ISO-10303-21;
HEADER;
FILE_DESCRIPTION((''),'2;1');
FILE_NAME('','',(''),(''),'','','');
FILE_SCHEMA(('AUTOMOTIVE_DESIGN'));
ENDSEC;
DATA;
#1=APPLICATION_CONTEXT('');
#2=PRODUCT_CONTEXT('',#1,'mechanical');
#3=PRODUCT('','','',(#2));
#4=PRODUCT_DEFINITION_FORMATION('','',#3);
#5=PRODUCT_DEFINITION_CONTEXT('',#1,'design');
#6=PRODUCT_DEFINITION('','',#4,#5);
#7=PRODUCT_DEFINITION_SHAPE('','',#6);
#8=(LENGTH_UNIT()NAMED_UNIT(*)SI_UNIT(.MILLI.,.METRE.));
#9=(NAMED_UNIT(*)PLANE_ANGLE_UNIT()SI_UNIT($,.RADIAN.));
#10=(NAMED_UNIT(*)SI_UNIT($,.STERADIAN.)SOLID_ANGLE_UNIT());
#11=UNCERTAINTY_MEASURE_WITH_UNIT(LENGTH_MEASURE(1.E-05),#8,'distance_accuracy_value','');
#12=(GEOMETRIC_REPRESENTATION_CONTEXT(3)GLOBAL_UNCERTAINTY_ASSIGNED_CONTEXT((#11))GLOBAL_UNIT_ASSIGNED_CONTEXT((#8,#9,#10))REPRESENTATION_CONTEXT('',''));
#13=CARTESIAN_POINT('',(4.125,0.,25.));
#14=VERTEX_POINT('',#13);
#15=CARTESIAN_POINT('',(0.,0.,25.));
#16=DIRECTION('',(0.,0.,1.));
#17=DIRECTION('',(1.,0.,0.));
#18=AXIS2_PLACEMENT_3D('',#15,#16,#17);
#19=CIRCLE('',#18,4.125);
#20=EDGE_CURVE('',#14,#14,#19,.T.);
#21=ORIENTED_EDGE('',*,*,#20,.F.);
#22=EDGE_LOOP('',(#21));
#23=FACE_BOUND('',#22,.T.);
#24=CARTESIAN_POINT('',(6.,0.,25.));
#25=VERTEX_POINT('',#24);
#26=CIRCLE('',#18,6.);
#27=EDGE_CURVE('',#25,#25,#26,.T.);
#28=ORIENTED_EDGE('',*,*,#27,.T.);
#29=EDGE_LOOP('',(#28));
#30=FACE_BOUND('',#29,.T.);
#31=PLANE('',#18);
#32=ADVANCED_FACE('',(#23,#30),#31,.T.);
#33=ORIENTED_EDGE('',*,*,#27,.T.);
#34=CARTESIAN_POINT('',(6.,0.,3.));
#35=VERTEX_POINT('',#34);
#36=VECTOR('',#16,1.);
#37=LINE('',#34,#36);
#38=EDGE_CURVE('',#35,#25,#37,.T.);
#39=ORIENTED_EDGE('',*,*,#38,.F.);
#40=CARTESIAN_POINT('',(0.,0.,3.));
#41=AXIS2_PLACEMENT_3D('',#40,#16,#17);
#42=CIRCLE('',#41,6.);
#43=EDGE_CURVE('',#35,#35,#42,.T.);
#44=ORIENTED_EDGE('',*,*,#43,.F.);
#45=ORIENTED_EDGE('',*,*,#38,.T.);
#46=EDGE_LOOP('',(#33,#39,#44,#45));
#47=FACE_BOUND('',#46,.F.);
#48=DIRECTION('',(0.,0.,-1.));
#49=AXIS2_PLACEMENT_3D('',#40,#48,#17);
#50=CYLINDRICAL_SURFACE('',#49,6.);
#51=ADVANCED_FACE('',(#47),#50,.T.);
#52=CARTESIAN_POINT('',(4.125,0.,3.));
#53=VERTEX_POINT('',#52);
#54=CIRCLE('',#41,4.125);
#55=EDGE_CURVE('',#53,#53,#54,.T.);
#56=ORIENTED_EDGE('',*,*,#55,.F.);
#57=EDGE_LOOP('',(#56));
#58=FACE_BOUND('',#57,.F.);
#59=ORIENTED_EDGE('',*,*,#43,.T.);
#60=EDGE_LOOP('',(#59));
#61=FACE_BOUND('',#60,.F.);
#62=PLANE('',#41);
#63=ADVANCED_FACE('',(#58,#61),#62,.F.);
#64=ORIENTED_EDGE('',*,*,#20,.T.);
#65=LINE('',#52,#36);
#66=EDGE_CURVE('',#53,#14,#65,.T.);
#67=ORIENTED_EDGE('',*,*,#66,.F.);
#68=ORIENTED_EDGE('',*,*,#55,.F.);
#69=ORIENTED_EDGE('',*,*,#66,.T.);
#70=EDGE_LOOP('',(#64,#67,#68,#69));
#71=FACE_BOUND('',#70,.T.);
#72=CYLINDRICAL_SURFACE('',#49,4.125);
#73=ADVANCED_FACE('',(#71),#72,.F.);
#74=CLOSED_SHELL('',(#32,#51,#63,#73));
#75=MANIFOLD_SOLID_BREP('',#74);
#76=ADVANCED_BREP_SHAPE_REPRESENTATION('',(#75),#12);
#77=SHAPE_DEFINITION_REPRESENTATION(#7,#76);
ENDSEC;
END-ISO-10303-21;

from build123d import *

# Parameters (mm, degrees)
SKETCH001_R   = 6
SKETCH001_R_2 = 4.125
PAD001_DEPTH  = 22


with BuildPart() as part:
    # Sketch001 → Pad001 (new body)
    with BuildSketch(Plane.XY.offset(3)):
        Circle(SKETCH001_R)
        Circle(SKETCH001_R_2, mode=Mode.SUBTRACT)
    extrude(amount=PAD001_DEPTH)


solid = part.part
